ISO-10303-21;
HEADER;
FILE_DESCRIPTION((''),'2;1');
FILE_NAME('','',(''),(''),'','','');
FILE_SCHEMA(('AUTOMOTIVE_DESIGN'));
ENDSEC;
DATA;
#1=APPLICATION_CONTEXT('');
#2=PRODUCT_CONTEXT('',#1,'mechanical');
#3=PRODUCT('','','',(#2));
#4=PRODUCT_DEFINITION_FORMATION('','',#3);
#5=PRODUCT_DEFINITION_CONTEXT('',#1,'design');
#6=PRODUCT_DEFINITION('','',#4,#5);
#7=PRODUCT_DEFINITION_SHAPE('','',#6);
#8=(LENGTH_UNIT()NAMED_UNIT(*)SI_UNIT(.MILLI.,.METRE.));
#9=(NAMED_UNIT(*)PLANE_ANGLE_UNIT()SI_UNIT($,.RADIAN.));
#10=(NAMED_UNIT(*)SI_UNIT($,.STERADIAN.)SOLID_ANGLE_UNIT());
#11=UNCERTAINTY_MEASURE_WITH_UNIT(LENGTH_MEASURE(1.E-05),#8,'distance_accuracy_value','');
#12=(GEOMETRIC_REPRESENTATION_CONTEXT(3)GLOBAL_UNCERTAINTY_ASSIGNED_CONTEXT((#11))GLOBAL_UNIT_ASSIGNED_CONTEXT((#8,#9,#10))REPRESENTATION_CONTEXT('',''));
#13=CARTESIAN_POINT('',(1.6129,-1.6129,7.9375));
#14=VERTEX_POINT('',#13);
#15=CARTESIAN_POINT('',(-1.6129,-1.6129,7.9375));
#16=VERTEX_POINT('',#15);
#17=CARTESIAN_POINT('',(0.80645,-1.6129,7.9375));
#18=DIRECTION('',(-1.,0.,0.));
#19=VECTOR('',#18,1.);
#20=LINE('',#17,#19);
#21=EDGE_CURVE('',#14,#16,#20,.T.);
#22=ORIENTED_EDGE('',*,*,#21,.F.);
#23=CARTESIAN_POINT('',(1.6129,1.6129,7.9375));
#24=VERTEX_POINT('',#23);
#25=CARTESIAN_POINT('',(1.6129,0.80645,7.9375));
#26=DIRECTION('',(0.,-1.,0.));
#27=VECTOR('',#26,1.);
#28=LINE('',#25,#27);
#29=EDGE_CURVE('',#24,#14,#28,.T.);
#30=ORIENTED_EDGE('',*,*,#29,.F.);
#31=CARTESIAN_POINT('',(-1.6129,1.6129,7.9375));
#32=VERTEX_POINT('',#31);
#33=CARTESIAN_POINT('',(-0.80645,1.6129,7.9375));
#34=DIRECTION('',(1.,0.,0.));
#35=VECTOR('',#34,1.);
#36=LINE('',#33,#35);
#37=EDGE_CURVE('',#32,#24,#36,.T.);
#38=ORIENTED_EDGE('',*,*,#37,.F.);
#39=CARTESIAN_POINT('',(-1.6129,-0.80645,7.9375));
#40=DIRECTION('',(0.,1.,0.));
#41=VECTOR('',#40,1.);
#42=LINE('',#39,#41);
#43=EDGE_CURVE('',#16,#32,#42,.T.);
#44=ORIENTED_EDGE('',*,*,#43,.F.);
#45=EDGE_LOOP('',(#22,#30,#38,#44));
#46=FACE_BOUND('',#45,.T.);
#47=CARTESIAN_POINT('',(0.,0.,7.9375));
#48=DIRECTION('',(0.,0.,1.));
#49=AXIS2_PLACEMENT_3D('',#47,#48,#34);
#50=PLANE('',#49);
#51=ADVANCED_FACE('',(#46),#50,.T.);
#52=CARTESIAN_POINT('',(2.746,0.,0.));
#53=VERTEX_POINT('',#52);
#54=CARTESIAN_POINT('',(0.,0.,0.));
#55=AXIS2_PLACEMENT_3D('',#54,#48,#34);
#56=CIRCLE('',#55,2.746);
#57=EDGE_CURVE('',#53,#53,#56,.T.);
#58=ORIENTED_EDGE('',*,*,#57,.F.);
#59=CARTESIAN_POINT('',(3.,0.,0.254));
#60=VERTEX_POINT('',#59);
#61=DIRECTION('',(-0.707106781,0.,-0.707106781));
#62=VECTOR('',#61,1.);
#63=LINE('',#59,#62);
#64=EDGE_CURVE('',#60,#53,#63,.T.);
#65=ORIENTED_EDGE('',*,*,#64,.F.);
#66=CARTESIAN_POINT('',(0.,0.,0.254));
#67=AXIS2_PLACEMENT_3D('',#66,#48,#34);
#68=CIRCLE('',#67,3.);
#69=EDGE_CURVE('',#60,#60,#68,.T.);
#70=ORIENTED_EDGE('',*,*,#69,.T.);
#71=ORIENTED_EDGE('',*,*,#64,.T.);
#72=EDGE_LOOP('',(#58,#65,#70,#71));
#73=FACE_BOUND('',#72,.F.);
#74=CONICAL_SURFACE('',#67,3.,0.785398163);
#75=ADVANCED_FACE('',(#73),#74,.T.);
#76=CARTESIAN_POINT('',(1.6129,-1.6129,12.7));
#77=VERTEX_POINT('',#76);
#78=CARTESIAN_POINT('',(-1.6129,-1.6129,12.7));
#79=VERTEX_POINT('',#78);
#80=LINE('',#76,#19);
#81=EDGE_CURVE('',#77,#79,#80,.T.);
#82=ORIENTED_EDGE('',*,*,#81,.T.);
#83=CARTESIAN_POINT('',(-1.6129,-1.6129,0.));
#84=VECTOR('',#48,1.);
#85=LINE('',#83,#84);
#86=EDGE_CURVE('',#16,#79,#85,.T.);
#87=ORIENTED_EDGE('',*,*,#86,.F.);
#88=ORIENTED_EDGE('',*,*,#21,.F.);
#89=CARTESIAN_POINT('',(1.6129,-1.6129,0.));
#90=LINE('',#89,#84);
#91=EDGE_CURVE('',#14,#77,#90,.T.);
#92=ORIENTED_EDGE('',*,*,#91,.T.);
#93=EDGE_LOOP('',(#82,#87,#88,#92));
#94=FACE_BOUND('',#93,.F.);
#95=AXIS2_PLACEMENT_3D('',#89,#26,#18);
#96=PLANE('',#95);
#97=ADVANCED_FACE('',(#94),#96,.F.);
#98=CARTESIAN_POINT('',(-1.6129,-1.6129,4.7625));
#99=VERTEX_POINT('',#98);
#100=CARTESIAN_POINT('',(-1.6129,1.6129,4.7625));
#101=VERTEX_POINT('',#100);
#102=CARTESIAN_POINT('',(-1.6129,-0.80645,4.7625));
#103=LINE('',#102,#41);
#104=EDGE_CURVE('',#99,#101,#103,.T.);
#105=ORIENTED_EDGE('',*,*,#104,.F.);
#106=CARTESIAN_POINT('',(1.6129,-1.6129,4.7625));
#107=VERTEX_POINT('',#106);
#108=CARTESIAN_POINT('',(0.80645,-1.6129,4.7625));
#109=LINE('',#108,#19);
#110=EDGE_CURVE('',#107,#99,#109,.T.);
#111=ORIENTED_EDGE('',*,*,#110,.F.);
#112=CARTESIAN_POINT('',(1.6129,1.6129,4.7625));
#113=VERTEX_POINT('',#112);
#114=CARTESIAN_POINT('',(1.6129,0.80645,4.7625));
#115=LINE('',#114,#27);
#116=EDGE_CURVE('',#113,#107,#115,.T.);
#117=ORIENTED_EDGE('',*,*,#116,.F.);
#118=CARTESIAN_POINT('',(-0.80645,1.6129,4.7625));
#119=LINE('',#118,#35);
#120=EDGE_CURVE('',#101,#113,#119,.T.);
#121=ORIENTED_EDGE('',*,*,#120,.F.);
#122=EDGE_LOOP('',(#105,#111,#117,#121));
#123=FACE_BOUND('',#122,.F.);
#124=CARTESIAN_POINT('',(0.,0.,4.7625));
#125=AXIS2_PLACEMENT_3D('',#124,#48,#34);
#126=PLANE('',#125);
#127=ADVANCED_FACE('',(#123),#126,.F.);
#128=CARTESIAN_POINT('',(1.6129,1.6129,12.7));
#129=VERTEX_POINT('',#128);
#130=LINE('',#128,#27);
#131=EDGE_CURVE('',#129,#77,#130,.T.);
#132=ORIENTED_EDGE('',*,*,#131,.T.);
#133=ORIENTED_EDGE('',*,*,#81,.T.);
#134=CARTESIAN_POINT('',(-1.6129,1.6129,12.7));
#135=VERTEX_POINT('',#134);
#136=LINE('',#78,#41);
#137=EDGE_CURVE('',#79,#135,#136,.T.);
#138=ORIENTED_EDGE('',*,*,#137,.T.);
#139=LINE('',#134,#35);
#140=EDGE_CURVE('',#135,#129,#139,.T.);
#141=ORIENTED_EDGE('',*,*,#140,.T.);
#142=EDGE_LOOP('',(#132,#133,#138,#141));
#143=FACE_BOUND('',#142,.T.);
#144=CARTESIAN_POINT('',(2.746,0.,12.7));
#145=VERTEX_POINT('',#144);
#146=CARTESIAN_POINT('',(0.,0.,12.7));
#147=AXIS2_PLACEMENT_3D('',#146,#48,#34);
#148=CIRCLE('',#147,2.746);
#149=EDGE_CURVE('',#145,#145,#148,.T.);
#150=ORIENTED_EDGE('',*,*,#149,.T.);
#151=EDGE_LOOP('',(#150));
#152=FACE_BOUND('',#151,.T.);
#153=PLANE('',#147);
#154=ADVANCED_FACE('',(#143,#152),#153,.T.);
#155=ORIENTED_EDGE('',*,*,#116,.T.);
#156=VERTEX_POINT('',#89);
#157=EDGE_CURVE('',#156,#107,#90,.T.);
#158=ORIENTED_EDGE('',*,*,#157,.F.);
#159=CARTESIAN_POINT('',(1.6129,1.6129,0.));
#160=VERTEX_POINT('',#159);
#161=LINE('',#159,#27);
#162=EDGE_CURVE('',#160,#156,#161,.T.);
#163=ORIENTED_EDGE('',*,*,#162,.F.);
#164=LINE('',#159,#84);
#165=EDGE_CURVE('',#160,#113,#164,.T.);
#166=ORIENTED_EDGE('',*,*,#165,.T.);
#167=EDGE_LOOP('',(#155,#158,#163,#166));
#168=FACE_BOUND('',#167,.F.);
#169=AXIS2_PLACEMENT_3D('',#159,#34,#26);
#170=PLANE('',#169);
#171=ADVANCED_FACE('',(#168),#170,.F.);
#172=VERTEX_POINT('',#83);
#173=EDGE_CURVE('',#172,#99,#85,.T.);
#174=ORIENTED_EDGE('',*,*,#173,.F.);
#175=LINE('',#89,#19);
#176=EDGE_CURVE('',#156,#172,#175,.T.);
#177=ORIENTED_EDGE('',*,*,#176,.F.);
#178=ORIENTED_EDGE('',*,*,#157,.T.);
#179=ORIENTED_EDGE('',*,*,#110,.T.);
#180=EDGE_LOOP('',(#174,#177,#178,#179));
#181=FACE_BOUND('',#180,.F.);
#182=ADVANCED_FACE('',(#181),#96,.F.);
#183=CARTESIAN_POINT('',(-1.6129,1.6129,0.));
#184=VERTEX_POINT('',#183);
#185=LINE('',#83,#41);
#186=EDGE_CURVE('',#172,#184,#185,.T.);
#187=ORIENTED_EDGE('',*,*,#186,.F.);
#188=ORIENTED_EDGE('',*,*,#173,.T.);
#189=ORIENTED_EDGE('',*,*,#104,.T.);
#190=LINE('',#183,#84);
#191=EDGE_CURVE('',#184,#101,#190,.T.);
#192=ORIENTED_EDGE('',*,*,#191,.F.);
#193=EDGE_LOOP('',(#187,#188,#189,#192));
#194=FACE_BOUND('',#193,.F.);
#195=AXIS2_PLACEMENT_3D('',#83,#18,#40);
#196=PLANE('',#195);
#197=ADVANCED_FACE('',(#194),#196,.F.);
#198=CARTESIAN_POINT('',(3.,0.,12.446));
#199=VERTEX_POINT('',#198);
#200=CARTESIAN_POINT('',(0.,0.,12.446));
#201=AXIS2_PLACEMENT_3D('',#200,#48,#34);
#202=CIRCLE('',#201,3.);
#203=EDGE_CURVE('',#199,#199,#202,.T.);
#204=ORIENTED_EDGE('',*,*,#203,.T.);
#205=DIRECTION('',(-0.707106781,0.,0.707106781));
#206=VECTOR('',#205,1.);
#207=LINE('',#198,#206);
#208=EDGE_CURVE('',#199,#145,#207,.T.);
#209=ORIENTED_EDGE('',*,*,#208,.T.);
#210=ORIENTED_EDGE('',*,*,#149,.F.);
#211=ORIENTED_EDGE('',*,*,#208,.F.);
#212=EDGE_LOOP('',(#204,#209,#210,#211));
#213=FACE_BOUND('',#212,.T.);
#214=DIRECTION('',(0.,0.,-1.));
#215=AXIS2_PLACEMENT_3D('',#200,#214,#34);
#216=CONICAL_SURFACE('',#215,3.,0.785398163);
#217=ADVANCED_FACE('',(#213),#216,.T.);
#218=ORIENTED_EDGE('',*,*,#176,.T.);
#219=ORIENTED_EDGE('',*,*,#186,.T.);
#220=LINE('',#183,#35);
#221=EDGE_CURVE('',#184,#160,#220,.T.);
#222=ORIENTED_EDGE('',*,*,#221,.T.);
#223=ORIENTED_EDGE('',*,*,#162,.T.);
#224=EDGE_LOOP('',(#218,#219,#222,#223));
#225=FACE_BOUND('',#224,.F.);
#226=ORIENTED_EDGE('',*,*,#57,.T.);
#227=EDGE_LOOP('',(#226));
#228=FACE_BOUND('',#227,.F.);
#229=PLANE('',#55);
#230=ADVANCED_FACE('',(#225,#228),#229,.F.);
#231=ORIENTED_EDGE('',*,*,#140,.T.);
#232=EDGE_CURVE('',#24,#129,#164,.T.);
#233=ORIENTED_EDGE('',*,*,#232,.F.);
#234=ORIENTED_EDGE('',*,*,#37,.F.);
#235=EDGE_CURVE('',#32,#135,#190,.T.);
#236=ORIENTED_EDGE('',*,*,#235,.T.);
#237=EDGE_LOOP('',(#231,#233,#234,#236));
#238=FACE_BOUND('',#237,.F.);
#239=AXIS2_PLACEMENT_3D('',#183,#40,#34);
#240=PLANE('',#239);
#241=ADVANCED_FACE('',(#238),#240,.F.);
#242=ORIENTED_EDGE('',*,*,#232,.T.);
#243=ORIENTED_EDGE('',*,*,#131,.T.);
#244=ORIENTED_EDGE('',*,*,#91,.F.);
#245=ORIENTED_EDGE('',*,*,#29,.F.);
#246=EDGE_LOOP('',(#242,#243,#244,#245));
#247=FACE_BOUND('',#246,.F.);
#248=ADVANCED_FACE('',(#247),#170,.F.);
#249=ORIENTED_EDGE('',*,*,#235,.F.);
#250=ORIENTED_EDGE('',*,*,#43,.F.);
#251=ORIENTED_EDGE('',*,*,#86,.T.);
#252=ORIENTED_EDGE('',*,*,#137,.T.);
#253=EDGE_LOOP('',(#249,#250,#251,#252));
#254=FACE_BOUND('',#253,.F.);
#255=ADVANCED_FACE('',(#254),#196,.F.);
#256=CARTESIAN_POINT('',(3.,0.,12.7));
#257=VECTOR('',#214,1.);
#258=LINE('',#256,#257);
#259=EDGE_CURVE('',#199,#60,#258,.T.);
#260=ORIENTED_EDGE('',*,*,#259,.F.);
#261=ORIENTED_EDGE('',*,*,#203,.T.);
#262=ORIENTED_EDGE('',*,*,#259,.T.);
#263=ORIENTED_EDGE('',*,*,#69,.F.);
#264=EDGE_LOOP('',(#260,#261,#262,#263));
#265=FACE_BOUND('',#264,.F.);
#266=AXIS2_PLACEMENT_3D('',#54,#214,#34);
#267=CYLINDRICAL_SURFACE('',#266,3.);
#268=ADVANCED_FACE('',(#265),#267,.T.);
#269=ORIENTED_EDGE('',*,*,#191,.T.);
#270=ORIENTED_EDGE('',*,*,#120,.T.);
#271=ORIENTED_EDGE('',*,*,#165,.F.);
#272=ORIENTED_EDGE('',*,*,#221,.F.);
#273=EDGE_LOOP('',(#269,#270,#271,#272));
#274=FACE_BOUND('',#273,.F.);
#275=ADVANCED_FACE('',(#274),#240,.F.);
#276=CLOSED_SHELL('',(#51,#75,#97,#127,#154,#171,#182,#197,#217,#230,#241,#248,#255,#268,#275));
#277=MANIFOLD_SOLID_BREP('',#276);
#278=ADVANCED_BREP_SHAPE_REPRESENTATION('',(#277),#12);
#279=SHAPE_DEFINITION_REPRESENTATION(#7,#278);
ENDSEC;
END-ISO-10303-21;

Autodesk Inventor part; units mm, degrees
ref_plane "YZ Plane" through (0, 0, 0) normal (1, 0, 0) x (0, 1, 0)
ref_plane "XZ Plane" through (0, 0, 0) normal (0, 1, 0) x (-1, 0, 0)
sketch "Sketch1" plane through (0, 0, 0) normal (0, 0, 1) x (1, 0, 0)
  circle A0 centre (0, 0) radius 3
  line L0 (-1.6129, 1.6129) -> (1.6129, 1.6129)
  line L1 (1.6129, 1.6129) -> (1.6129, -1.6129)
  line L2 (1.6129, -1.6129) -> (-1.6129, -1.6129)
  line L3 (-1.6129, -1.6129) -> (-1.6129, 1.6129)
  dimension "d0" = 6
  dimension "d1" = 3.2258
  dimension "d2" = 3.2258
  dimension "d3" = 1.6129
  dimension "d4" = 1.6129
extrude "Extrusion1" add sketch "Sketch1" along normal blind 12.7
ref_plane "Work Plane1" through (0, 0, 6.35) normal (0, 0, 1) x (1, 0, 0)
sketch "Sketch2" plane through (0, 0, 6.35) normal (0, 0, 1) x (1, 0, 0)
  circle A0 centre (0, 0) radius 3 projected
extrude "Extrusion2" add sketch "Sketch2" along normal mid plane 3.175
chamfer "Chamfer1" distance 0.254 angle 45 2 edges at (-3, 0, 0) (-3, 0, 12.7)
equation "\"d3\" = 0.5 * d2"
equation "\"d4\" = 0.5 * d1"
properties part number "Vex Shaft Coupler" material "Steel"
